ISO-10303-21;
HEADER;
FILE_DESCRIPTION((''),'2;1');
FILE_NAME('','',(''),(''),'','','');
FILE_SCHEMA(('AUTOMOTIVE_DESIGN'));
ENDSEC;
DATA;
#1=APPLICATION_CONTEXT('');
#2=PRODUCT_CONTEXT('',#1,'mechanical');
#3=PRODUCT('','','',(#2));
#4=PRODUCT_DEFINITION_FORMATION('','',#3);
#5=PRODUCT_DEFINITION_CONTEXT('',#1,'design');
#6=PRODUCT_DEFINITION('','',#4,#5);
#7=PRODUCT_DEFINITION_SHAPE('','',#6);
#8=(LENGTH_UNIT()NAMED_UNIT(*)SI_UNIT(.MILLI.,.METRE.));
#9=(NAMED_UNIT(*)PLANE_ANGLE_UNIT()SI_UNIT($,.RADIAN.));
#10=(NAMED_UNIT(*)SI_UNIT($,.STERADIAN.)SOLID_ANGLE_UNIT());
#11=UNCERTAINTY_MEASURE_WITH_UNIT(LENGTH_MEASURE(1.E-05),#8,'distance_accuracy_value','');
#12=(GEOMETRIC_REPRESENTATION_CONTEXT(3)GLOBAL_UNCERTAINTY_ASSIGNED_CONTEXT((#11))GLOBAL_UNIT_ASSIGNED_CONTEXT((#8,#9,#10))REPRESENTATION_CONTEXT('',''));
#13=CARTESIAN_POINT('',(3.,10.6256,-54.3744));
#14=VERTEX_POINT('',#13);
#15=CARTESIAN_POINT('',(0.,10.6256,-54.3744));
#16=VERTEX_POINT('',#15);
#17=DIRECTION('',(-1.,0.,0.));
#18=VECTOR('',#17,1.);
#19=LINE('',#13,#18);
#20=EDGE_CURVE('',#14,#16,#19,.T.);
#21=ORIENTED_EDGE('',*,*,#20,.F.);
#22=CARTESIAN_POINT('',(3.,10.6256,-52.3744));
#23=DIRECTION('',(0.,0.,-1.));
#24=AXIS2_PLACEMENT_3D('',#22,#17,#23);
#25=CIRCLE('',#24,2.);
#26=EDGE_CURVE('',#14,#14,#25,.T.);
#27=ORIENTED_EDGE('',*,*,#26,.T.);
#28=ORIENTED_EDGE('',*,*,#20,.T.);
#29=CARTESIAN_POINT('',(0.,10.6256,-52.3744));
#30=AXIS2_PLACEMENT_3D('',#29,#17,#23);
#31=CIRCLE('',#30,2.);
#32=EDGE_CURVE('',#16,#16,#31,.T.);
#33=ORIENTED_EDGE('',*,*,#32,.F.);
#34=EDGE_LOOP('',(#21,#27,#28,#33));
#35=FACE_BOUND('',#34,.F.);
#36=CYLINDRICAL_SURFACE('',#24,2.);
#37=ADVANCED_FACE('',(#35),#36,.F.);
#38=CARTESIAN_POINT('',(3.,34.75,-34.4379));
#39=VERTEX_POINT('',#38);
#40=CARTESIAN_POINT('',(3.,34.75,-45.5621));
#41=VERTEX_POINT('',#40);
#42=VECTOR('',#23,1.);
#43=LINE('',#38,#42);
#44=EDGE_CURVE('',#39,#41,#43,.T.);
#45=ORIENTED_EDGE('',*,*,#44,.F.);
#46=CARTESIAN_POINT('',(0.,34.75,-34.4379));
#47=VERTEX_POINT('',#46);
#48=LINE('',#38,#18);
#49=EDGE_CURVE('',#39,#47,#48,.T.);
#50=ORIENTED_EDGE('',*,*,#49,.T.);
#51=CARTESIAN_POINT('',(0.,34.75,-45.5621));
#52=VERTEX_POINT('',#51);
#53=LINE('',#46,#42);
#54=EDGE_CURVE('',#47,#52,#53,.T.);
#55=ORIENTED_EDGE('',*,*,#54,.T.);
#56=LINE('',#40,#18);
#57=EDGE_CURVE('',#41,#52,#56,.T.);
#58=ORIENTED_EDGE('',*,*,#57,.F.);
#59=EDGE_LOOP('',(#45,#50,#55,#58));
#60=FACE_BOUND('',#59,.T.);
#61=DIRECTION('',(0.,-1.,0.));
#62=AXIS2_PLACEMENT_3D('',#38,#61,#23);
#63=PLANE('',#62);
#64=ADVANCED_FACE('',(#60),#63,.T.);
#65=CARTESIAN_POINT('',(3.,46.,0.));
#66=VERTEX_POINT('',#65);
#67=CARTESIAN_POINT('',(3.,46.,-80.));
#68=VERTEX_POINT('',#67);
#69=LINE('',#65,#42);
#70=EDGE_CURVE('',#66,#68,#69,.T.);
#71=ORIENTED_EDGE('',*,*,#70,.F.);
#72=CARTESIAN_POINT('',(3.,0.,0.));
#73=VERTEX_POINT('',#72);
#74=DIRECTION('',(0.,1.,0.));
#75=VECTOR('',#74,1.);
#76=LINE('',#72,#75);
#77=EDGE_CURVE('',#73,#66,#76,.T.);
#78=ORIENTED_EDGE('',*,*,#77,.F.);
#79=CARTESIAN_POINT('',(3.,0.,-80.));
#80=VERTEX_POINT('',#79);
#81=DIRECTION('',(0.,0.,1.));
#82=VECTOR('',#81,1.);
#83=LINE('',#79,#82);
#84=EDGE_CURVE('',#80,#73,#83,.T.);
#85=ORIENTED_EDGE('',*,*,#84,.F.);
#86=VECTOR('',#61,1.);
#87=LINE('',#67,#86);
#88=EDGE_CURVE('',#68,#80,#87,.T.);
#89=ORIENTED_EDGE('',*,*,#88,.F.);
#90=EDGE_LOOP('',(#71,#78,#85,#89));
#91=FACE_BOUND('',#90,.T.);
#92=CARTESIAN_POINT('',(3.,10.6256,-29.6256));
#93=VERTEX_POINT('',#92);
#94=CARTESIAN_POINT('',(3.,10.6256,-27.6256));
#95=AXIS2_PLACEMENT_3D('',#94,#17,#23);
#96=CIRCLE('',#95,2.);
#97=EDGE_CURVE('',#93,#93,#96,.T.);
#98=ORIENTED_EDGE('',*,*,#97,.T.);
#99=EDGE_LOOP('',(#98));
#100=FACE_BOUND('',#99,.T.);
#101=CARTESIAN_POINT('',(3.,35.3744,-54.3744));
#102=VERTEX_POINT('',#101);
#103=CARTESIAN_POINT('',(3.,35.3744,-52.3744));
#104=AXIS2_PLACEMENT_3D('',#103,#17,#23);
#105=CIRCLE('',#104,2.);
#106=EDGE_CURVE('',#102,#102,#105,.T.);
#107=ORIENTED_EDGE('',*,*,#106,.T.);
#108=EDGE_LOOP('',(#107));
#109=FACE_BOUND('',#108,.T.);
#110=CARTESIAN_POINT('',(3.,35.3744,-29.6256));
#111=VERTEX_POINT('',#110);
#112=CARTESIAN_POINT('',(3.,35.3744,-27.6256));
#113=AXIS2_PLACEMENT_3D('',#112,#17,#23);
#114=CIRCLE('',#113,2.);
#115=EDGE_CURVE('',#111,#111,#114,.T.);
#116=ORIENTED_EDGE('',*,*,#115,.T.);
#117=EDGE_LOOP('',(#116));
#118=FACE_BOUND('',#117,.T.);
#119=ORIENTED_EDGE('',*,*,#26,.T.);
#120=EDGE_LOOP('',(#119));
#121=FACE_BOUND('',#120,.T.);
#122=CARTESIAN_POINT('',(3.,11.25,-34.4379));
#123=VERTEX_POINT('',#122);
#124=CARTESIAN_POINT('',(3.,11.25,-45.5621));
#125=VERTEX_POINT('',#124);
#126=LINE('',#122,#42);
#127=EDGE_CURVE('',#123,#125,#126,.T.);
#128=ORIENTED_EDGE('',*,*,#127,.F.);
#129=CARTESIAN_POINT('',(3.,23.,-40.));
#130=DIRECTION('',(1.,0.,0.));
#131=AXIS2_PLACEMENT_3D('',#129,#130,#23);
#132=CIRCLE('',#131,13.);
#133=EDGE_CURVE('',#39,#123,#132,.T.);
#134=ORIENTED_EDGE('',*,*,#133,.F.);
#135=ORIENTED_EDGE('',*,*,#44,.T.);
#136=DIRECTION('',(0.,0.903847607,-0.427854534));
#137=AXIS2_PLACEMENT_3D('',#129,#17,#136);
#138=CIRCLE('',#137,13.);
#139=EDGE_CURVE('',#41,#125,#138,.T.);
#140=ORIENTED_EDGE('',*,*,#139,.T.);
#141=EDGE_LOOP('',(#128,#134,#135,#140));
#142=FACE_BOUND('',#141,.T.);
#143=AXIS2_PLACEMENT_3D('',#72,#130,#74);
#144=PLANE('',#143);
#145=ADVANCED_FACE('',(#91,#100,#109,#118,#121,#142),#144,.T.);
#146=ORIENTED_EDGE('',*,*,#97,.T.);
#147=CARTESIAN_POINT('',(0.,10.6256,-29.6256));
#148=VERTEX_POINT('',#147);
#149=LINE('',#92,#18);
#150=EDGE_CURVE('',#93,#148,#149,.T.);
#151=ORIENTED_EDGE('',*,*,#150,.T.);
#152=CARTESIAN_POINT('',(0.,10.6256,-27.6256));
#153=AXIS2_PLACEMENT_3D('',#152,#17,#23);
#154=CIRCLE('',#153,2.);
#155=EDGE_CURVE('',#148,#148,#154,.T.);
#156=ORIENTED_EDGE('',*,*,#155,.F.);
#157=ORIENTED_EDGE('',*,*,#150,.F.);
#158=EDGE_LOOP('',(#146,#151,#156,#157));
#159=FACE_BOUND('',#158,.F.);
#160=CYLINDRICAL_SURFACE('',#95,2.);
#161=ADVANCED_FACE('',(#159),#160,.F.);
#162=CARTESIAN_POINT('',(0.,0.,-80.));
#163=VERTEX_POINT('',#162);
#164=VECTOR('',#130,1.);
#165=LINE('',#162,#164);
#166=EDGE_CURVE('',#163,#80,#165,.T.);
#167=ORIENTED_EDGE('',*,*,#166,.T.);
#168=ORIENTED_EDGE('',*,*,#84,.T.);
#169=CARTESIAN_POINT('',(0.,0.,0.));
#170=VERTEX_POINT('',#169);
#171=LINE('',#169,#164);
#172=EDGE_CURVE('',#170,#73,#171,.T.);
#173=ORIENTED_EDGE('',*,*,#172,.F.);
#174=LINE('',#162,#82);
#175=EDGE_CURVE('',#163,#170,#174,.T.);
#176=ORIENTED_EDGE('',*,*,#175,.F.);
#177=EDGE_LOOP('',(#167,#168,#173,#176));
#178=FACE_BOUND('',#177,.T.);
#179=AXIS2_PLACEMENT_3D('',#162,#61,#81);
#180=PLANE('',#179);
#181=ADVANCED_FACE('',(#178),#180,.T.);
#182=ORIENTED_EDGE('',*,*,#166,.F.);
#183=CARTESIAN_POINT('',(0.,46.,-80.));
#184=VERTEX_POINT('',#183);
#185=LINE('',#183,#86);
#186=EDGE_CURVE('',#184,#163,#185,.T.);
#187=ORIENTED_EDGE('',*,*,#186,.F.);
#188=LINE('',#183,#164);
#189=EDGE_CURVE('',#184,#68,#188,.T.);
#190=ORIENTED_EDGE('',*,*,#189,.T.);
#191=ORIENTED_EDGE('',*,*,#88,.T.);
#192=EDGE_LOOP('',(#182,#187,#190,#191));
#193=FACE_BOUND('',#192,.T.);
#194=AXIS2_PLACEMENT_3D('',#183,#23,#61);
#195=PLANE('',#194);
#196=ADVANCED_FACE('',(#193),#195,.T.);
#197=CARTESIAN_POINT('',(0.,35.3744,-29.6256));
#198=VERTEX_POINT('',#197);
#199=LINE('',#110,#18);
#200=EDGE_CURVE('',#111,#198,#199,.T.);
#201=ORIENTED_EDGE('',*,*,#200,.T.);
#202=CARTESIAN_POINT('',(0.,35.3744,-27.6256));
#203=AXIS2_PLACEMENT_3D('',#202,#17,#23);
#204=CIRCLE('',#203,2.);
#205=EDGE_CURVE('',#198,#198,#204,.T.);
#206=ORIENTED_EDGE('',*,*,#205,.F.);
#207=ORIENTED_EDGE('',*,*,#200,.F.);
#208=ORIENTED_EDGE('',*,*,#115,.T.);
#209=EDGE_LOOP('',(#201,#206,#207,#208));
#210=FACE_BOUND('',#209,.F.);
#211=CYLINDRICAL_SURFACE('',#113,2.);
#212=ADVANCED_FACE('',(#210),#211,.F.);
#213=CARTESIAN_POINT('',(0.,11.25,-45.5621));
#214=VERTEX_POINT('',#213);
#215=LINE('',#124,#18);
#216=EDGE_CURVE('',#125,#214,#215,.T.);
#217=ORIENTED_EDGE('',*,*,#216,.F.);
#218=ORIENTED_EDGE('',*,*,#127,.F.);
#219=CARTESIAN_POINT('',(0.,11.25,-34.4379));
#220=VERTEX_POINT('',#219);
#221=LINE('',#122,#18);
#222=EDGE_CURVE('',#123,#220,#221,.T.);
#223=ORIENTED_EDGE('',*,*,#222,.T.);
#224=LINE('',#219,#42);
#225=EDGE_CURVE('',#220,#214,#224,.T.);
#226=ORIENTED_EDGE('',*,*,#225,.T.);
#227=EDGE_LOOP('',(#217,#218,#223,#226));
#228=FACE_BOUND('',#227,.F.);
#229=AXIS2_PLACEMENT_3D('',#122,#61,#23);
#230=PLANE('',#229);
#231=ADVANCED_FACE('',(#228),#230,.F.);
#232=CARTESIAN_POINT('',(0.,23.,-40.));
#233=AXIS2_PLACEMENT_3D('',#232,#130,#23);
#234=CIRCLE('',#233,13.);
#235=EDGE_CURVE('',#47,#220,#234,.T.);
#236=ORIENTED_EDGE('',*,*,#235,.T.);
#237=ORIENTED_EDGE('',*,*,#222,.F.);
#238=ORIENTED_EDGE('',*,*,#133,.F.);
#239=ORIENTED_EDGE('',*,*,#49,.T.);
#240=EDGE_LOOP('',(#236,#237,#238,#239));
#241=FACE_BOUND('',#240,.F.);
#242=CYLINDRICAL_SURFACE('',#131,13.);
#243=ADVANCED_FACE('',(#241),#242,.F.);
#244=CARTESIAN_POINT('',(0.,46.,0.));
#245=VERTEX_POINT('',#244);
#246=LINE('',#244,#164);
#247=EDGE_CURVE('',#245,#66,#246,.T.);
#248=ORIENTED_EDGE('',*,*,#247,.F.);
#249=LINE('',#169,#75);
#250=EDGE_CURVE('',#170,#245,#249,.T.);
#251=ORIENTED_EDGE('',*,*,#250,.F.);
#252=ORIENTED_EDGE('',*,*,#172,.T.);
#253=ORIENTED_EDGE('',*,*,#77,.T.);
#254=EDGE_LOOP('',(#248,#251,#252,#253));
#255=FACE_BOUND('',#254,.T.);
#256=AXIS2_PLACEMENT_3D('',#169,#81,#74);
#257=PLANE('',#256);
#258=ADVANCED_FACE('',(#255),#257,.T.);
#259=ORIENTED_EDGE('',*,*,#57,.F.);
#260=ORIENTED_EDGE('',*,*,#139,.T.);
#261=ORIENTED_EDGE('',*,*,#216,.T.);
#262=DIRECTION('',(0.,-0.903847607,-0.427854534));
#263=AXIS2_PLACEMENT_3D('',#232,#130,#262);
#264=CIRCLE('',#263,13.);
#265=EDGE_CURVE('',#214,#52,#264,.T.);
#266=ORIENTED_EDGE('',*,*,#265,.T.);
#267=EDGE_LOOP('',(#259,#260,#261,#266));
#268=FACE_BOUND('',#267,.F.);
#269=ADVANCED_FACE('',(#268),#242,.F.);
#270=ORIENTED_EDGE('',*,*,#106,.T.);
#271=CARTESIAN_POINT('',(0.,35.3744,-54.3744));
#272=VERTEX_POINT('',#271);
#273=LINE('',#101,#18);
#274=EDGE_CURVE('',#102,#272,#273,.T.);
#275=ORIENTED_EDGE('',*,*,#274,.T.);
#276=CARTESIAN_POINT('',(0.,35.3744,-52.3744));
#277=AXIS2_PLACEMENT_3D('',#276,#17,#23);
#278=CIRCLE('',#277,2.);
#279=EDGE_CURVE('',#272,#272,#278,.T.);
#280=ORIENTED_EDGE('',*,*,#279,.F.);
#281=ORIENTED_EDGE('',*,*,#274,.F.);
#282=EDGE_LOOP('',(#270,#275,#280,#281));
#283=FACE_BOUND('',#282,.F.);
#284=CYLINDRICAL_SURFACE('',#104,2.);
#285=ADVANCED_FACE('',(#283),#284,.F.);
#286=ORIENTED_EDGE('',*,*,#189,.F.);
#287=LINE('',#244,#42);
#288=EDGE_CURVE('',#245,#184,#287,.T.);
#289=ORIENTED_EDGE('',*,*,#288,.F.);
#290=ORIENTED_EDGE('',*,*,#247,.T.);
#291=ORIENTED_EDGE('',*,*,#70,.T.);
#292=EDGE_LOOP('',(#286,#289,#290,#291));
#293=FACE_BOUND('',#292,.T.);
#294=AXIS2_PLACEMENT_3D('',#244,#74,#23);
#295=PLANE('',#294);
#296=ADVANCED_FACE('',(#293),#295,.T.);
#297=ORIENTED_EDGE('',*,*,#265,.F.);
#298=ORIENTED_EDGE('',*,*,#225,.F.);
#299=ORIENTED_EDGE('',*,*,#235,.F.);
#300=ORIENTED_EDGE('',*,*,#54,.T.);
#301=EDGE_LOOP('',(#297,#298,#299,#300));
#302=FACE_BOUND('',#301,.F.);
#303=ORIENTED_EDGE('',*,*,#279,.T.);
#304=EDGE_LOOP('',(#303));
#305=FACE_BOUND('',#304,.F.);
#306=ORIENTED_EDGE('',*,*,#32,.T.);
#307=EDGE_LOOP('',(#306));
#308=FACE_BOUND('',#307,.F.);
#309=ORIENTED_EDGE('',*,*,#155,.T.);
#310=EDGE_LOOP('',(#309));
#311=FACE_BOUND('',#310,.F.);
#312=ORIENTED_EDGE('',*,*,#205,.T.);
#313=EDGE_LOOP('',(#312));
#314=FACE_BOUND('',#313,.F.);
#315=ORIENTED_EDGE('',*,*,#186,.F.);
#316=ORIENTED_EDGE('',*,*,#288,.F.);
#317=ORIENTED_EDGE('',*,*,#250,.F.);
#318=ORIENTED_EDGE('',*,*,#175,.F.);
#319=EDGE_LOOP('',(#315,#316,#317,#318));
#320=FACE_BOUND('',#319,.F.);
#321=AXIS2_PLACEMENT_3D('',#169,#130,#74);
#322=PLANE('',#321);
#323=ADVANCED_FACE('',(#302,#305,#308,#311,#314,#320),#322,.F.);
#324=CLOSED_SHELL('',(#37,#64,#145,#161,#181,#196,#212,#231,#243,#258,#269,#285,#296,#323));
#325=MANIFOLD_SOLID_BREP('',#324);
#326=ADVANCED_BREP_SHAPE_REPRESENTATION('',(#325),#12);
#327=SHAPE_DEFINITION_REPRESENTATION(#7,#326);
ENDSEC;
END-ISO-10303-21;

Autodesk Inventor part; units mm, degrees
ref_plane "YZ Plane" through (0, 0, 0) normal (1, 0, 0) x (0, 1, 0)
ref_plane "XZ Plane" through (0, 0, 0) normal (0, 1, 0) x (-1, 0, 0)
ref_plane "XY Plane" through (0, 0, 0) normal (0, 0, 1) x (1, 0, 0)
sketch "スケッチ1" plane through (0, 0, 0) normal (1, 0, 0) x (0, 1, 0)
  line L0 (0, 0) -> (46, 0)
  line L1 (46, 0) -> (46, -80)
  line L2 (46, -80) -> (0, -80)
  line L3 (0, -80) -> (0, 0)
  dimension "d0" = 46
  dimension "d1" = 80
extrude "押し出し1" add sketch "スケッチ1" along normal blind 3
sketch "スケッチ2" plane through (3, 0, 0) normal (1, 0, 0) x (0, 0, -1)
  circle A0 centre (40, 23) radius 13
  line L0 (34.4379, 34.75) -> (45.5621, 34.75)
  line L1 (34.4379, 11.25) -> (45.5621, 11.25)
  line L2 (80, 46) -> (0, 46) projected
  line L3 (0, 46) -> (0, 0) projected
  dimension "d4" = 26
  dimension "d7" = 23
  dimension "d8" = 40
  dimension "d9" = 23.5
extrude "押し出し2" cut sketch "スケッチ2" against normal blind 3 contours A0 L1 L0
sketch "スケッチ3" plane through (3, 0, 0) normal (1, 0, 0) x (0, 0, -1)
  circle A0 centre (40, 23) radius 17.5 construction
  arc A1 (34.4379, 34.75) -> (34.4379, 11.25) centre (40, 23) ccw projected
  arc A2 (45.5621, 11.25) -> (45.5621, 34.75) centre (40, 23) ccw projected
  line L0 (22.5, 23) -> (57.5, 23) construction
  line L1 (40, 5.5) -> (40, 40.5) construction
  line L2 (40, 23) -> (52.3744, 35.3744) construction
  line L3 (40, 23) -> (57.5, 23) construction
  line L4 (52.3744, 35.3744) -> (27.6256, 10.6256) construction
  line L5 (40, 23) -> (52.3744, 10.6256) construction
  line L6 (27.6256, 35.3744) -> (40, 23) construction
  circle A3 centre (52.3744, 35.3744) radius 2.15
  circle A4 centre (52.3744, 10.6256) radius 2.15
  circle A5 centre (27.6256, 10.6256) radius 2.15
  circle A6 centre (27.6256, 35.3744) radius 2.15
  point P0 (0, 0)
  dimension "d12" = 35
  dimension "d13" = 45
  dimension "d14" = 4.3
  dimension "d15" = 4.3
  dimension "d16" = 4.3
  dimension "d17" = 4.3
hole "穴1" at (3, 35.3744, -27.6256) at (3, 35.3744, -52.3744) at (3, 10.6256, -52.3744) at (3, 10.6256, -27.6256) direction (-1, 0, 0) diameter 4 depth 3
equation "\"BendRadius\" = Thickness"
equation "\"BendReliefWidth\" = Thickness"
equation "\"BendReliefDepth\" = 0.5 * Thickness"
equation "\"CornerReliefSize\" = 4 * Thickness"
equation "\"MinimumRemnant\" = 2 * Thickness"
equation "\"TransitionRadius\" = BendRadius"
equation "\"JacobiRadiusSize\" = BendRadius"
equation "\"GapSize\" = Thickness"
equation "\"Thickness\" = 0.5"
properties part number "nhk28"
